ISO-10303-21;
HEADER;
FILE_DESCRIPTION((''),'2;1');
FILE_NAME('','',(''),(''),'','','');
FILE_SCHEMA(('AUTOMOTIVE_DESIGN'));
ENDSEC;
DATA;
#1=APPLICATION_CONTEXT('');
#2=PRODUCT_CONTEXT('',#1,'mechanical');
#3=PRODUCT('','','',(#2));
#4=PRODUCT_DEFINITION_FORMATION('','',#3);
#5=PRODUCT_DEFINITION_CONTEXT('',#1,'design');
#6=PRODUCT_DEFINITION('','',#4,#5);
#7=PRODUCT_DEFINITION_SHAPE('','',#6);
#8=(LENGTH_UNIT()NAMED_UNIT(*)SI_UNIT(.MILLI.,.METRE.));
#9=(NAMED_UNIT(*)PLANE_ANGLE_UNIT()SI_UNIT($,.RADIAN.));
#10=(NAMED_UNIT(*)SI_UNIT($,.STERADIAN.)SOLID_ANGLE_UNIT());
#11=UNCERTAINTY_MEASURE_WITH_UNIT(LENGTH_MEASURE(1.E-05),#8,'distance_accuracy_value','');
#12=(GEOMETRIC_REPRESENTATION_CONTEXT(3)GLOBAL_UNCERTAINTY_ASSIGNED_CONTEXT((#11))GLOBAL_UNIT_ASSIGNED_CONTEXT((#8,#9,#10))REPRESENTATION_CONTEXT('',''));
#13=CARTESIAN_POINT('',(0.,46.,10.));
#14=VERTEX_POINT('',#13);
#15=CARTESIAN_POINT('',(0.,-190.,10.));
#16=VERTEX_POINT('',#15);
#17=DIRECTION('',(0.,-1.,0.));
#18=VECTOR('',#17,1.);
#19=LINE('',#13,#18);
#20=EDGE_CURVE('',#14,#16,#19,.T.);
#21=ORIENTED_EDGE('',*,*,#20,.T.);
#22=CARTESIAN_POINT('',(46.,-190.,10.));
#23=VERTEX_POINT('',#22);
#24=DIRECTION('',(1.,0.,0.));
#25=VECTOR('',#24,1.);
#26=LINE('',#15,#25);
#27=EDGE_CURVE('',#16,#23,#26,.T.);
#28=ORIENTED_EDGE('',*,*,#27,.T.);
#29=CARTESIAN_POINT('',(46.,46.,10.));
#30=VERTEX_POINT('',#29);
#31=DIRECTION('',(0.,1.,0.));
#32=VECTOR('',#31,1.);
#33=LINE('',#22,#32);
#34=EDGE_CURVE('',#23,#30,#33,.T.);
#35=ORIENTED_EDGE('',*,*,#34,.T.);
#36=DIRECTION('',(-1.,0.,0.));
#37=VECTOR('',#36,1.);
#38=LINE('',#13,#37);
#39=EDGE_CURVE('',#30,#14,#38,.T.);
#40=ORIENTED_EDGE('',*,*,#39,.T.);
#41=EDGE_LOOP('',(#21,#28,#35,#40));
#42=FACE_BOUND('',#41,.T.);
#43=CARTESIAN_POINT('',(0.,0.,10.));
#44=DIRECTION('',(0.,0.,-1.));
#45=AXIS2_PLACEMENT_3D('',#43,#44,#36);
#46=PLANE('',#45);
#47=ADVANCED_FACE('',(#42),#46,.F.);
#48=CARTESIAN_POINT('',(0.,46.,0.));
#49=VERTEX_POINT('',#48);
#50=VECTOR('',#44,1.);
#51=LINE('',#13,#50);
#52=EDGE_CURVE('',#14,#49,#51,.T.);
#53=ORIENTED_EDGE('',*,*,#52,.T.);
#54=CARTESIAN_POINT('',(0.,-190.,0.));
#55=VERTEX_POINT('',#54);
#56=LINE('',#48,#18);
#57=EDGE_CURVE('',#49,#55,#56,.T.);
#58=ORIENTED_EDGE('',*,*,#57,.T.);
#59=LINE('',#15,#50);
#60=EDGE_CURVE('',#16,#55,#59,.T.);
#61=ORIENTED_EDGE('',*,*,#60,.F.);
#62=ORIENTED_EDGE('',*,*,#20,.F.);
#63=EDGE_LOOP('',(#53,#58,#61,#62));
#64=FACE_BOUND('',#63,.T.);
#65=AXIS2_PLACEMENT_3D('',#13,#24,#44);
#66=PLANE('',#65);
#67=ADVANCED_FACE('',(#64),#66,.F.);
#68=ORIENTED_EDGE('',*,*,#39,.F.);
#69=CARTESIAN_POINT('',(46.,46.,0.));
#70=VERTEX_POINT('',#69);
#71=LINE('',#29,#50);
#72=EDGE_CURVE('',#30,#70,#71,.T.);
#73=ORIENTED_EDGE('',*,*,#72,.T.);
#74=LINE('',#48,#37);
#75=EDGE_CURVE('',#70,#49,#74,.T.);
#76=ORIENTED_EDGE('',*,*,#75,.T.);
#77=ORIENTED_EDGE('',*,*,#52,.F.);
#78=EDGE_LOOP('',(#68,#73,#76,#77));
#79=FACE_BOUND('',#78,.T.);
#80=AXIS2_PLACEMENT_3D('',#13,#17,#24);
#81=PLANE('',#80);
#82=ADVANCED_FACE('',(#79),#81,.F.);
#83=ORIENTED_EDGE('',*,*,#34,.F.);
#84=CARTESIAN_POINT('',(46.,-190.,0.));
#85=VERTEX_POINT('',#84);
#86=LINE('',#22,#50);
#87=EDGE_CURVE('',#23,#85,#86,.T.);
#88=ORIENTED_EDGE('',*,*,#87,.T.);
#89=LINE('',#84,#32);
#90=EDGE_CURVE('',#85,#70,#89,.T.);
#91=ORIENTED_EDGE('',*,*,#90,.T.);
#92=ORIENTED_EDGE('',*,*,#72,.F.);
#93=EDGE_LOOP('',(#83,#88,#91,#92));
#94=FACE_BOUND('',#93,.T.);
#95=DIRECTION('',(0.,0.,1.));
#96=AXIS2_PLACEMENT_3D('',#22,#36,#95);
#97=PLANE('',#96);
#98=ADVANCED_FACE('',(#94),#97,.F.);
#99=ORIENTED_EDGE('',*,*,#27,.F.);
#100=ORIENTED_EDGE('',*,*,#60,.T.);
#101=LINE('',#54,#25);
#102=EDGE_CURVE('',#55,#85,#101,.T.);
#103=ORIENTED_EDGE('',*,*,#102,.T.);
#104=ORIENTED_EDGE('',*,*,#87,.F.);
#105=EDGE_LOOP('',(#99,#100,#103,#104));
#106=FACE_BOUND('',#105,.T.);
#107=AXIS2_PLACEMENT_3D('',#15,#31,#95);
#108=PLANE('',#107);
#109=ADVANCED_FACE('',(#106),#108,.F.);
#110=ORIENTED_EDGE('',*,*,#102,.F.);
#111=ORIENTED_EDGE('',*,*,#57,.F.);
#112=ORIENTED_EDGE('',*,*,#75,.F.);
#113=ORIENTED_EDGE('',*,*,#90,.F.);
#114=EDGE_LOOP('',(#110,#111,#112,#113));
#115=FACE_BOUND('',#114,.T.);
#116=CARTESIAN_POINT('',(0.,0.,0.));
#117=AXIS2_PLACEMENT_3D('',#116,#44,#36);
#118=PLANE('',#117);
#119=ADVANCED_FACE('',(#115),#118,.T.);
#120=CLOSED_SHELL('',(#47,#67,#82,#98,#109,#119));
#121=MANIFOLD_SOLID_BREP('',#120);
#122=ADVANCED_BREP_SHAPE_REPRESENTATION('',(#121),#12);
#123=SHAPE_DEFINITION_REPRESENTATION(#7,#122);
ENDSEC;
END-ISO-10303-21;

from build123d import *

# Parameters (mm, degrees)
SKETCH1_W           = 46
SKETCH1_H           = 236
BOSS_EXTRUDE1_DEPTH = 10


with BuildPart() as part:
    # Sketch1 → Boss-Extrude1 (new body)
    with BuildSketch(Plane.XY):
        with Locations((23, -72)):
            Rectangle(SKETCH1_W, SKETCH1_H)
    extrude(amount=BOSS_EXTRUDE1_DEPTH)


solid = part.part
